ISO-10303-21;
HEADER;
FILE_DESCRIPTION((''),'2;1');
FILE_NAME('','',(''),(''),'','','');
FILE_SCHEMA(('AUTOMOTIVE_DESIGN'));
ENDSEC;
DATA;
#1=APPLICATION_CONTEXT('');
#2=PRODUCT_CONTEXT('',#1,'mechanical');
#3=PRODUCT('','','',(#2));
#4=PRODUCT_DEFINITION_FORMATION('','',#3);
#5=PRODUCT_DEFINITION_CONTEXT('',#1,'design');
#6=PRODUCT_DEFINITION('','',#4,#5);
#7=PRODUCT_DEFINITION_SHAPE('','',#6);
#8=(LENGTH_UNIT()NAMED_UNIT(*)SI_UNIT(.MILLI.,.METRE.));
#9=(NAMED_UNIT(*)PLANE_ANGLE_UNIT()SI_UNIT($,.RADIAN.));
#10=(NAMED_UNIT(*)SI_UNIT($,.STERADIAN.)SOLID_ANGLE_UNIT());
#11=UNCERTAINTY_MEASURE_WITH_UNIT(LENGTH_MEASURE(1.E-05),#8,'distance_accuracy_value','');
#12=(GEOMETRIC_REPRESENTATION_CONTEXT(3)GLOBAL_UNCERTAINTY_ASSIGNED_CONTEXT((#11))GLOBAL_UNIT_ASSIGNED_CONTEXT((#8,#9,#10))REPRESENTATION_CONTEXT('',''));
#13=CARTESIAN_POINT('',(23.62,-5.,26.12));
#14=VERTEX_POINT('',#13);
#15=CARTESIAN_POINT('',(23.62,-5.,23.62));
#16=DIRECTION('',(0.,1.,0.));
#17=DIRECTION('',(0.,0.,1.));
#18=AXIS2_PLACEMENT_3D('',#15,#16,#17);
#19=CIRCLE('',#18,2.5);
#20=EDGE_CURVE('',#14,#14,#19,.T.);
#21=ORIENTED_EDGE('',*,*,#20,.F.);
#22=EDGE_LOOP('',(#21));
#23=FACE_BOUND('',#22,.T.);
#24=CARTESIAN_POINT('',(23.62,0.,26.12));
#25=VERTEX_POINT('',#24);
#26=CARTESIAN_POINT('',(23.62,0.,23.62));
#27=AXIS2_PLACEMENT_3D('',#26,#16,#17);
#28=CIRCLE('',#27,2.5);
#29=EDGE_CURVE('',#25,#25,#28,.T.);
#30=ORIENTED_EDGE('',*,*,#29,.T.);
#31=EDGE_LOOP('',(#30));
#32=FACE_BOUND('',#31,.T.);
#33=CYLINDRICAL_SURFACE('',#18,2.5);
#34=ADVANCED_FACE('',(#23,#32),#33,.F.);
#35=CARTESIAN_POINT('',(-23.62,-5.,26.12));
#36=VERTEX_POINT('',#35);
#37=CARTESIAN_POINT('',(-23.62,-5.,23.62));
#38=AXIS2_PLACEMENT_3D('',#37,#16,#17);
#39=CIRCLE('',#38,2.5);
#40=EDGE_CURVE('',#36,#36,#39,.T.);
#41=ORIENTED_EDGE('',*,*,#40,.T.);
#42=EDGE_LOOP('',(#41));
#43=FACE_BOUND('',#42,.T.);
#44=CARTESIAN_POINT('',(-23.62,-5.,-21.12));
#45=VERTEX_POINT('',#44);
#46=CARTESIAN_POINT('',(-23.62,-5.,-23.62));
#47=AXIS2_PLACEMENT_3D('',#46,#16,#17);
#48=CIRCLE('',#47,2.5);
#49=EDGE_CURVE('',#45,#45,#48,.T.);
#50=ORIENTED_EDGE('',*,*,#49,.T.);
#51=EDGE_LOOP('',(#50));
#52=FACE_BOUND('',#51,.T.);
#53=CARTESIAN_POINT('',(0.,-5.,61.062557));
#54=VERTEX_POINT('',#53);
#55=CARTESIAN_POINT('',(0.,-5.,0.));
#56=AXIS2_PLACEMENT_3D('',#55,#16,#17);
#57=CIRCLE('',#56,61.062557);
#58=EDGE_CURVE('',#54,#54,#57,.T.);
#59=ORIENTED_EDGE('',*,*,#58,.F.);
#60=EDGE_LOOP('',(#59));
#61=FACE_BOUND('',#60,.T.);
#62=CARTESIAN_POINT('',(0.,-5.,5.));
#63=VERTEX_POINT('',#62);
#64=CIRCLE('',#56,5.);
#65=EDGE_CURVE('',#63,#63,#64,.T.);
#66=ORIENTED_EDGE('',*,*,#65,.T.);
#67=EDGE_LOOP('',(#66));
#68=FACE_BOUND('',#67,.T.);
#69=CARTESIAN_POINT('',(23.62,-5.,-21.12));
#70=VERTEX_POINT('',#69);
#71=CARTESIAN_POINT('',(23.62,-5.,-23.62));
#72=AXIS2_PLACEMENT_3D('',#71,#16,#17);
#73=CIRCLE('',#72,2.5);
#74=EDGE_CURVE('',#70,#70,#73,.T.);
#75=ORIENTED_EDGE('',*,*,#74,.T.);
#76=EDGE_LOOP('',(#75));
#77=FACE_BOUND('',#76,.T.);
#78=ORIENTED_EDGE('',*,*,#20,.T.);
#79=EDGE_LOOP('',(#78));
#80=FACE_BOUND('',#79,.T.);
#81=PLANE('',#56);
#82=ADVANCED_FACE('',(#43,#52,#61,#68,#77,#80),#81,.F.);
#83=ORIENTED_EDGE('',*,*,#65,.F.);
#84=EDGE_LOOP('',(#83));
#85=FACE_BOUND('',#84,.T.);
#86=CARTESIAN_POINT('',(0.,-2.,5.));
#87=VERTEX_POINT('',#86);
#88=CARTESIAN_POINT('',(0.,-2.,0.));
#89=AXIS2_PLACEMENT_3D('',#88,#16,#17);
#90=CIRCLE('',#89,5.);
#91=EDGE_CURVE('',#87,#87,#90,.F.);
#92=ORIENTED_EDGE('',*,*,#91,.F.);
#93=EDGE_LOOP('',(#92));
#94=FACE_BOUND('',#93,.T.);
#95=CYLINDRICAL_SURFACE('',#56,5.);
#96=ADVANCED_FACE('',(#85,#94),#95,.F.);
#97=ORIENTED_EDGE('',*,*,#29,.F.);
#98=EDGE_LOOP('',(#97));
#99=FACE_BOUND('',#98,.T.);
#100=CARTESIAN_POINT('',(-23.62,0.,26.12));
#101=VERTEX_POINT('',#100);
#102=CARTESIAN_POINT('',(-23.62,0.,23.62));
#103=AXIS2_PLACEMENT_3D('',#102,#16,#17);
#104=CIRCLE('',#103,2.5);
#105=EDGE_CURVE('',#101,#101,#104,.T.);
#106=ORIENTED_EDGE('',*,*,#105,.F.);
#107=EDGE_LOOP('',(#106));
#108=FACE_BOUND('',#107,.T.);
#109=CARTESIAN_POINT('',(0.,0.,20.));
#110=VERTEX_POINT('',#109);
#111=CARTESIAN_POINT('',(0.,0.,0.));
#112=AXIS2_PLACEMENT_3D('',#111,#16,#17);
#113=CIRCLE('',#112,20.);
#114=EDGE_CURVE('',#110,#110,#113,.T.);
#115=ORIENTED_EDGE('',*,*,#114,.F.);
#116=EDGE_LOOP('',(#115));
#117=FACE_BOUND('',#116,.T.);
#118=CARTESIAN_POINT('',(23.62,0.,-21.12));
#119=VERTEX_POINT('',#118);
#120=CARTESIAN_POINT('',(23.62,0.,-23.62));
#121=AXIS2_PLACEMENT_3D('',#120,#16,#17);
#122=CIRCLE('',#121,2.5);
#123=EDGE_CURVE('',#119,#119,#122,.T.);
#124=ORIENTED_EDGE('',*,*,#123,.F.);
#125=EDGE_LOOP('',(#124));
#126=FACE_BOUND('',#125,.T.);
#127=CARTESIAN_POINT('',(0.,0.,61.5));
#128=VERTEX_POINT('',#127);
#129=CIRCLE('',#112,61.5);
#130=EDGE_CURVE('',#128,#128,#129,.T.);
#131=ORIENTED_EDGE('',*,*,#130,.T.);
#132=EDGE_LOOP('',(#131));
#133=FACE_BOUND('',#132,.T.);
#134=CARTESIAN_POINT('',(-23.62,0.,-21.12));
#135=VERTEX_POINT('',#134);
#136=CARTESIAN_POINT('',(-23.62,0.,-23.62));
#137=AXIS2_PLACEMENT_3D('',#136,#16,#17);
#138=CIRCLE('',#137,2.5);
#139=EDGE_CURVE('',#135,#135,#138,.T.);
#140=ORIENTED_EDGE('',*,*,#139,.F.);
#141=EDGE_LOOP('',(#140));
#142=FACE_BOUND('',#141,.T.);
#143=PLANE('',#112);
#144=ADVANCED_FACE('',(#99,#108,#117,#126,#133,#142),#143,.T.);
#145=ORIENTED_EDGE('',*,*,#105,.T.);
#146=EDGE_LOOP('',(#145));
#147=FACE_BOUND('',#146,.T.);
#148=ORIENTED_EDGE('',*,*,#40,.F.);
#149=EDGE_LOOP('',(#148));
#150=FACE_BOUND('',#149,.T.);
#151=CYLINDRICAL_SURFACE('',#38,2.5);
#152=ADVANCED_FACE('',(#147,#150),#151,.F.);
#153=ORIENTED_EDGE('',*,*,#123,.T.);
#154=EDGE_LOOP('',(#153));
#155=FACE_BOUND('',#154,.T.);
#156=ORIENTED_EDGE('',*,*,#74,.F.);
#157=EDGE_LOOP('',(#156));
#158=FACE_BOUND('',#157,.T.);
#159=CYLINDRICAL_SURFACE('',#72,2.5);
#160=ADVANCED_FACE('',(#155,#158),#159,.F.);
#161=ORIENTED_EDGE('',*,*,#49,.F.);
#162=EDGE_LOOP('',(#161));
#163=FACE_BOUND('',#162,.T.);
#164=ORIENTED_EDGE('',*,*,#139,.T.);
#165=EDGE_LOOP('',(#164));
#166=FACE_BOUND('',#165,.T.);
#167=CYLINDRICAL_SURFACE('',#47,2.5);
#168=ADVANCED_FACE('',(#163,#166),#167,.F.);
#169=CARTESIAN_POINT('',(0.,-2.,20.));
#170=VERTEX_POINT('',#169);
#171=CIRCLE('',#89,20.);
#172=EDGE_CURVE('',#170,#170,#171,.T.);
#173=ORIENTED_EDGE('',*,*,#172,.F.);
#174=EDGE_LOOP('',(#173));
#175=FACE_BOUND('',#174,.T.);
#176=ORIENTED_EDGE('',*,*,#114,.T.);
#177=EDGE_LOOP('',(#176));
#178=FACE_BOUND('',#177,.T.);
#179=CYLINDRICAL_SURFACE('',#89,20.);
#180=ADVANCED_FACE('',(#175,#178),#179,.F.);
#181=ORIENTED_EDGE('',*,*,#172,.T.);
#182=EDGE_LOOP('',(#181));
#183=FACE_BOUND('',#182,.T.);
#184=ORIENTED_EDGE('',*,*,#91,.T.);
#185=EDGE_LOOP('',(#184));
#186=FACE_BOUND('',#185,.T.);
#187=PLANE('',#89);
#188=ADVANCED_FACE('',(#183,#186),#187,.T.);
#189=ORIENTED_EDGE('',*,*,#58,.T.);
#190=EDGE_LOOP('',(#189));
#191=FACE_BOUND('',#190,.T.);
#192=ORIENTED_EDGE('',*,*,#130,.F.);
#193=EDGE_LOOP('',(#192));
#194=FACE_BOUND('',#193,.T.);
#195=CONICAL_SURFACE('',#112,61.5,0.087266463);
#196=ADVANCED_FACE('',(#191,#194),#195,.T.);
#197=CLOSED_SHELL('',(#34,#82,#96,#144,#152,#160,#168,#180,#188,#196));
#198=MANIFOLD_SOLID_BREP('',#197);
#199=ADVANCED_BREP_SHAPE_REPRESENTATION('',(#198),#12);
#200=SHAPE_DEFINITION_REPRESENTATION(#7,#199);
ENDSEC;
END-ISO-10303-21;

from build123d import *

# Parameters (mm, degrees)
SKETCH1_R           = 61.5
BOSS_EXTRUDE1_DEPTH = 5
BOSS_EXTRUDE1_DRAFT = -5
SKETCH2_R           = 2.5
SKETCH2_R_2         = 5
CUT_EXTRUDE2_DEPTH  = 88.117736426
SKETCH3_R           = 20
CUT_EXTRUDE3_DEPTH  = 2


with BuildPart() as part:
    # Sketch1 → Boss-Extrude1 (with draft: the straight prism first)
    with BuildSketch(Plane(origin=(0, 0, 0), x_dir=(1, 0, 0), z_dir=(0, 1, 0))):
        Circle(SKETCH1_R)
    extrude(amount=-BOSS_EXTRUDE1_DEPTH)
    # Boss-Extrude1: the draft: its side faces are tilted about the plane it starts from
    boss_extrude1_sides = [part.faces().sort_by_distance(p)[0] for p in [
        (-61.5, -2.5, 0),
    ]]
    draft(boss_extrude1_sides, Plane(origin=(0, 0, 0), x_dir=(1, 0, 0), z_dir=(0, 1, 0)), BOSS_EXTRUDE1_DRAFT)

    # Sketch2 → Cut-Extrude2 (cut, through all)
    with BuildSketch(Plane(origin=(0, 0, 0), x_dir=(1, 0, 0), z_dir=(0, 1, 0))):
        with Locations(Location((23.62, 23.62, 0), (0, 0, 270))):
            Circle(SKETCH2_R)
        with Locations(Location((23.62, -23.62, 0), (0, 0, 270))):
            Circle(SKETCH2_R)
        with Locations(Location((-23.62, -23.62, 0), (0, 0, 270))):
            Circle(SKETCH2_R)
        with Locations(Location((-23.62, 23.62, 0), (0, 0, 270))):
            Circle(SKETCH2_R)
        with Locations(Location((0, 0, 0), (0, 0, 270))):
            Circle(SKETCH2_R_2)
    extrude(amount=-CUT_EXTRUDE2_DEPTH, mode=Mode.SUBTRACT)

    # Sketch3 → Cut-Extrude3 (cut)
    with BuildSketch(Plane(origin=(0, 0, 0), x_dir=(1, 0, 0), z_dir=(0, 1, 0))):
        with Locations(Location((0, 0, 0), (0, 0, 270))):
            Circle(SKETCH3_R)
    extrude(amount=-CUT_EXTRUDE3_DEPTH, mode=Mode.SUBTRACT)


solid = part.part
